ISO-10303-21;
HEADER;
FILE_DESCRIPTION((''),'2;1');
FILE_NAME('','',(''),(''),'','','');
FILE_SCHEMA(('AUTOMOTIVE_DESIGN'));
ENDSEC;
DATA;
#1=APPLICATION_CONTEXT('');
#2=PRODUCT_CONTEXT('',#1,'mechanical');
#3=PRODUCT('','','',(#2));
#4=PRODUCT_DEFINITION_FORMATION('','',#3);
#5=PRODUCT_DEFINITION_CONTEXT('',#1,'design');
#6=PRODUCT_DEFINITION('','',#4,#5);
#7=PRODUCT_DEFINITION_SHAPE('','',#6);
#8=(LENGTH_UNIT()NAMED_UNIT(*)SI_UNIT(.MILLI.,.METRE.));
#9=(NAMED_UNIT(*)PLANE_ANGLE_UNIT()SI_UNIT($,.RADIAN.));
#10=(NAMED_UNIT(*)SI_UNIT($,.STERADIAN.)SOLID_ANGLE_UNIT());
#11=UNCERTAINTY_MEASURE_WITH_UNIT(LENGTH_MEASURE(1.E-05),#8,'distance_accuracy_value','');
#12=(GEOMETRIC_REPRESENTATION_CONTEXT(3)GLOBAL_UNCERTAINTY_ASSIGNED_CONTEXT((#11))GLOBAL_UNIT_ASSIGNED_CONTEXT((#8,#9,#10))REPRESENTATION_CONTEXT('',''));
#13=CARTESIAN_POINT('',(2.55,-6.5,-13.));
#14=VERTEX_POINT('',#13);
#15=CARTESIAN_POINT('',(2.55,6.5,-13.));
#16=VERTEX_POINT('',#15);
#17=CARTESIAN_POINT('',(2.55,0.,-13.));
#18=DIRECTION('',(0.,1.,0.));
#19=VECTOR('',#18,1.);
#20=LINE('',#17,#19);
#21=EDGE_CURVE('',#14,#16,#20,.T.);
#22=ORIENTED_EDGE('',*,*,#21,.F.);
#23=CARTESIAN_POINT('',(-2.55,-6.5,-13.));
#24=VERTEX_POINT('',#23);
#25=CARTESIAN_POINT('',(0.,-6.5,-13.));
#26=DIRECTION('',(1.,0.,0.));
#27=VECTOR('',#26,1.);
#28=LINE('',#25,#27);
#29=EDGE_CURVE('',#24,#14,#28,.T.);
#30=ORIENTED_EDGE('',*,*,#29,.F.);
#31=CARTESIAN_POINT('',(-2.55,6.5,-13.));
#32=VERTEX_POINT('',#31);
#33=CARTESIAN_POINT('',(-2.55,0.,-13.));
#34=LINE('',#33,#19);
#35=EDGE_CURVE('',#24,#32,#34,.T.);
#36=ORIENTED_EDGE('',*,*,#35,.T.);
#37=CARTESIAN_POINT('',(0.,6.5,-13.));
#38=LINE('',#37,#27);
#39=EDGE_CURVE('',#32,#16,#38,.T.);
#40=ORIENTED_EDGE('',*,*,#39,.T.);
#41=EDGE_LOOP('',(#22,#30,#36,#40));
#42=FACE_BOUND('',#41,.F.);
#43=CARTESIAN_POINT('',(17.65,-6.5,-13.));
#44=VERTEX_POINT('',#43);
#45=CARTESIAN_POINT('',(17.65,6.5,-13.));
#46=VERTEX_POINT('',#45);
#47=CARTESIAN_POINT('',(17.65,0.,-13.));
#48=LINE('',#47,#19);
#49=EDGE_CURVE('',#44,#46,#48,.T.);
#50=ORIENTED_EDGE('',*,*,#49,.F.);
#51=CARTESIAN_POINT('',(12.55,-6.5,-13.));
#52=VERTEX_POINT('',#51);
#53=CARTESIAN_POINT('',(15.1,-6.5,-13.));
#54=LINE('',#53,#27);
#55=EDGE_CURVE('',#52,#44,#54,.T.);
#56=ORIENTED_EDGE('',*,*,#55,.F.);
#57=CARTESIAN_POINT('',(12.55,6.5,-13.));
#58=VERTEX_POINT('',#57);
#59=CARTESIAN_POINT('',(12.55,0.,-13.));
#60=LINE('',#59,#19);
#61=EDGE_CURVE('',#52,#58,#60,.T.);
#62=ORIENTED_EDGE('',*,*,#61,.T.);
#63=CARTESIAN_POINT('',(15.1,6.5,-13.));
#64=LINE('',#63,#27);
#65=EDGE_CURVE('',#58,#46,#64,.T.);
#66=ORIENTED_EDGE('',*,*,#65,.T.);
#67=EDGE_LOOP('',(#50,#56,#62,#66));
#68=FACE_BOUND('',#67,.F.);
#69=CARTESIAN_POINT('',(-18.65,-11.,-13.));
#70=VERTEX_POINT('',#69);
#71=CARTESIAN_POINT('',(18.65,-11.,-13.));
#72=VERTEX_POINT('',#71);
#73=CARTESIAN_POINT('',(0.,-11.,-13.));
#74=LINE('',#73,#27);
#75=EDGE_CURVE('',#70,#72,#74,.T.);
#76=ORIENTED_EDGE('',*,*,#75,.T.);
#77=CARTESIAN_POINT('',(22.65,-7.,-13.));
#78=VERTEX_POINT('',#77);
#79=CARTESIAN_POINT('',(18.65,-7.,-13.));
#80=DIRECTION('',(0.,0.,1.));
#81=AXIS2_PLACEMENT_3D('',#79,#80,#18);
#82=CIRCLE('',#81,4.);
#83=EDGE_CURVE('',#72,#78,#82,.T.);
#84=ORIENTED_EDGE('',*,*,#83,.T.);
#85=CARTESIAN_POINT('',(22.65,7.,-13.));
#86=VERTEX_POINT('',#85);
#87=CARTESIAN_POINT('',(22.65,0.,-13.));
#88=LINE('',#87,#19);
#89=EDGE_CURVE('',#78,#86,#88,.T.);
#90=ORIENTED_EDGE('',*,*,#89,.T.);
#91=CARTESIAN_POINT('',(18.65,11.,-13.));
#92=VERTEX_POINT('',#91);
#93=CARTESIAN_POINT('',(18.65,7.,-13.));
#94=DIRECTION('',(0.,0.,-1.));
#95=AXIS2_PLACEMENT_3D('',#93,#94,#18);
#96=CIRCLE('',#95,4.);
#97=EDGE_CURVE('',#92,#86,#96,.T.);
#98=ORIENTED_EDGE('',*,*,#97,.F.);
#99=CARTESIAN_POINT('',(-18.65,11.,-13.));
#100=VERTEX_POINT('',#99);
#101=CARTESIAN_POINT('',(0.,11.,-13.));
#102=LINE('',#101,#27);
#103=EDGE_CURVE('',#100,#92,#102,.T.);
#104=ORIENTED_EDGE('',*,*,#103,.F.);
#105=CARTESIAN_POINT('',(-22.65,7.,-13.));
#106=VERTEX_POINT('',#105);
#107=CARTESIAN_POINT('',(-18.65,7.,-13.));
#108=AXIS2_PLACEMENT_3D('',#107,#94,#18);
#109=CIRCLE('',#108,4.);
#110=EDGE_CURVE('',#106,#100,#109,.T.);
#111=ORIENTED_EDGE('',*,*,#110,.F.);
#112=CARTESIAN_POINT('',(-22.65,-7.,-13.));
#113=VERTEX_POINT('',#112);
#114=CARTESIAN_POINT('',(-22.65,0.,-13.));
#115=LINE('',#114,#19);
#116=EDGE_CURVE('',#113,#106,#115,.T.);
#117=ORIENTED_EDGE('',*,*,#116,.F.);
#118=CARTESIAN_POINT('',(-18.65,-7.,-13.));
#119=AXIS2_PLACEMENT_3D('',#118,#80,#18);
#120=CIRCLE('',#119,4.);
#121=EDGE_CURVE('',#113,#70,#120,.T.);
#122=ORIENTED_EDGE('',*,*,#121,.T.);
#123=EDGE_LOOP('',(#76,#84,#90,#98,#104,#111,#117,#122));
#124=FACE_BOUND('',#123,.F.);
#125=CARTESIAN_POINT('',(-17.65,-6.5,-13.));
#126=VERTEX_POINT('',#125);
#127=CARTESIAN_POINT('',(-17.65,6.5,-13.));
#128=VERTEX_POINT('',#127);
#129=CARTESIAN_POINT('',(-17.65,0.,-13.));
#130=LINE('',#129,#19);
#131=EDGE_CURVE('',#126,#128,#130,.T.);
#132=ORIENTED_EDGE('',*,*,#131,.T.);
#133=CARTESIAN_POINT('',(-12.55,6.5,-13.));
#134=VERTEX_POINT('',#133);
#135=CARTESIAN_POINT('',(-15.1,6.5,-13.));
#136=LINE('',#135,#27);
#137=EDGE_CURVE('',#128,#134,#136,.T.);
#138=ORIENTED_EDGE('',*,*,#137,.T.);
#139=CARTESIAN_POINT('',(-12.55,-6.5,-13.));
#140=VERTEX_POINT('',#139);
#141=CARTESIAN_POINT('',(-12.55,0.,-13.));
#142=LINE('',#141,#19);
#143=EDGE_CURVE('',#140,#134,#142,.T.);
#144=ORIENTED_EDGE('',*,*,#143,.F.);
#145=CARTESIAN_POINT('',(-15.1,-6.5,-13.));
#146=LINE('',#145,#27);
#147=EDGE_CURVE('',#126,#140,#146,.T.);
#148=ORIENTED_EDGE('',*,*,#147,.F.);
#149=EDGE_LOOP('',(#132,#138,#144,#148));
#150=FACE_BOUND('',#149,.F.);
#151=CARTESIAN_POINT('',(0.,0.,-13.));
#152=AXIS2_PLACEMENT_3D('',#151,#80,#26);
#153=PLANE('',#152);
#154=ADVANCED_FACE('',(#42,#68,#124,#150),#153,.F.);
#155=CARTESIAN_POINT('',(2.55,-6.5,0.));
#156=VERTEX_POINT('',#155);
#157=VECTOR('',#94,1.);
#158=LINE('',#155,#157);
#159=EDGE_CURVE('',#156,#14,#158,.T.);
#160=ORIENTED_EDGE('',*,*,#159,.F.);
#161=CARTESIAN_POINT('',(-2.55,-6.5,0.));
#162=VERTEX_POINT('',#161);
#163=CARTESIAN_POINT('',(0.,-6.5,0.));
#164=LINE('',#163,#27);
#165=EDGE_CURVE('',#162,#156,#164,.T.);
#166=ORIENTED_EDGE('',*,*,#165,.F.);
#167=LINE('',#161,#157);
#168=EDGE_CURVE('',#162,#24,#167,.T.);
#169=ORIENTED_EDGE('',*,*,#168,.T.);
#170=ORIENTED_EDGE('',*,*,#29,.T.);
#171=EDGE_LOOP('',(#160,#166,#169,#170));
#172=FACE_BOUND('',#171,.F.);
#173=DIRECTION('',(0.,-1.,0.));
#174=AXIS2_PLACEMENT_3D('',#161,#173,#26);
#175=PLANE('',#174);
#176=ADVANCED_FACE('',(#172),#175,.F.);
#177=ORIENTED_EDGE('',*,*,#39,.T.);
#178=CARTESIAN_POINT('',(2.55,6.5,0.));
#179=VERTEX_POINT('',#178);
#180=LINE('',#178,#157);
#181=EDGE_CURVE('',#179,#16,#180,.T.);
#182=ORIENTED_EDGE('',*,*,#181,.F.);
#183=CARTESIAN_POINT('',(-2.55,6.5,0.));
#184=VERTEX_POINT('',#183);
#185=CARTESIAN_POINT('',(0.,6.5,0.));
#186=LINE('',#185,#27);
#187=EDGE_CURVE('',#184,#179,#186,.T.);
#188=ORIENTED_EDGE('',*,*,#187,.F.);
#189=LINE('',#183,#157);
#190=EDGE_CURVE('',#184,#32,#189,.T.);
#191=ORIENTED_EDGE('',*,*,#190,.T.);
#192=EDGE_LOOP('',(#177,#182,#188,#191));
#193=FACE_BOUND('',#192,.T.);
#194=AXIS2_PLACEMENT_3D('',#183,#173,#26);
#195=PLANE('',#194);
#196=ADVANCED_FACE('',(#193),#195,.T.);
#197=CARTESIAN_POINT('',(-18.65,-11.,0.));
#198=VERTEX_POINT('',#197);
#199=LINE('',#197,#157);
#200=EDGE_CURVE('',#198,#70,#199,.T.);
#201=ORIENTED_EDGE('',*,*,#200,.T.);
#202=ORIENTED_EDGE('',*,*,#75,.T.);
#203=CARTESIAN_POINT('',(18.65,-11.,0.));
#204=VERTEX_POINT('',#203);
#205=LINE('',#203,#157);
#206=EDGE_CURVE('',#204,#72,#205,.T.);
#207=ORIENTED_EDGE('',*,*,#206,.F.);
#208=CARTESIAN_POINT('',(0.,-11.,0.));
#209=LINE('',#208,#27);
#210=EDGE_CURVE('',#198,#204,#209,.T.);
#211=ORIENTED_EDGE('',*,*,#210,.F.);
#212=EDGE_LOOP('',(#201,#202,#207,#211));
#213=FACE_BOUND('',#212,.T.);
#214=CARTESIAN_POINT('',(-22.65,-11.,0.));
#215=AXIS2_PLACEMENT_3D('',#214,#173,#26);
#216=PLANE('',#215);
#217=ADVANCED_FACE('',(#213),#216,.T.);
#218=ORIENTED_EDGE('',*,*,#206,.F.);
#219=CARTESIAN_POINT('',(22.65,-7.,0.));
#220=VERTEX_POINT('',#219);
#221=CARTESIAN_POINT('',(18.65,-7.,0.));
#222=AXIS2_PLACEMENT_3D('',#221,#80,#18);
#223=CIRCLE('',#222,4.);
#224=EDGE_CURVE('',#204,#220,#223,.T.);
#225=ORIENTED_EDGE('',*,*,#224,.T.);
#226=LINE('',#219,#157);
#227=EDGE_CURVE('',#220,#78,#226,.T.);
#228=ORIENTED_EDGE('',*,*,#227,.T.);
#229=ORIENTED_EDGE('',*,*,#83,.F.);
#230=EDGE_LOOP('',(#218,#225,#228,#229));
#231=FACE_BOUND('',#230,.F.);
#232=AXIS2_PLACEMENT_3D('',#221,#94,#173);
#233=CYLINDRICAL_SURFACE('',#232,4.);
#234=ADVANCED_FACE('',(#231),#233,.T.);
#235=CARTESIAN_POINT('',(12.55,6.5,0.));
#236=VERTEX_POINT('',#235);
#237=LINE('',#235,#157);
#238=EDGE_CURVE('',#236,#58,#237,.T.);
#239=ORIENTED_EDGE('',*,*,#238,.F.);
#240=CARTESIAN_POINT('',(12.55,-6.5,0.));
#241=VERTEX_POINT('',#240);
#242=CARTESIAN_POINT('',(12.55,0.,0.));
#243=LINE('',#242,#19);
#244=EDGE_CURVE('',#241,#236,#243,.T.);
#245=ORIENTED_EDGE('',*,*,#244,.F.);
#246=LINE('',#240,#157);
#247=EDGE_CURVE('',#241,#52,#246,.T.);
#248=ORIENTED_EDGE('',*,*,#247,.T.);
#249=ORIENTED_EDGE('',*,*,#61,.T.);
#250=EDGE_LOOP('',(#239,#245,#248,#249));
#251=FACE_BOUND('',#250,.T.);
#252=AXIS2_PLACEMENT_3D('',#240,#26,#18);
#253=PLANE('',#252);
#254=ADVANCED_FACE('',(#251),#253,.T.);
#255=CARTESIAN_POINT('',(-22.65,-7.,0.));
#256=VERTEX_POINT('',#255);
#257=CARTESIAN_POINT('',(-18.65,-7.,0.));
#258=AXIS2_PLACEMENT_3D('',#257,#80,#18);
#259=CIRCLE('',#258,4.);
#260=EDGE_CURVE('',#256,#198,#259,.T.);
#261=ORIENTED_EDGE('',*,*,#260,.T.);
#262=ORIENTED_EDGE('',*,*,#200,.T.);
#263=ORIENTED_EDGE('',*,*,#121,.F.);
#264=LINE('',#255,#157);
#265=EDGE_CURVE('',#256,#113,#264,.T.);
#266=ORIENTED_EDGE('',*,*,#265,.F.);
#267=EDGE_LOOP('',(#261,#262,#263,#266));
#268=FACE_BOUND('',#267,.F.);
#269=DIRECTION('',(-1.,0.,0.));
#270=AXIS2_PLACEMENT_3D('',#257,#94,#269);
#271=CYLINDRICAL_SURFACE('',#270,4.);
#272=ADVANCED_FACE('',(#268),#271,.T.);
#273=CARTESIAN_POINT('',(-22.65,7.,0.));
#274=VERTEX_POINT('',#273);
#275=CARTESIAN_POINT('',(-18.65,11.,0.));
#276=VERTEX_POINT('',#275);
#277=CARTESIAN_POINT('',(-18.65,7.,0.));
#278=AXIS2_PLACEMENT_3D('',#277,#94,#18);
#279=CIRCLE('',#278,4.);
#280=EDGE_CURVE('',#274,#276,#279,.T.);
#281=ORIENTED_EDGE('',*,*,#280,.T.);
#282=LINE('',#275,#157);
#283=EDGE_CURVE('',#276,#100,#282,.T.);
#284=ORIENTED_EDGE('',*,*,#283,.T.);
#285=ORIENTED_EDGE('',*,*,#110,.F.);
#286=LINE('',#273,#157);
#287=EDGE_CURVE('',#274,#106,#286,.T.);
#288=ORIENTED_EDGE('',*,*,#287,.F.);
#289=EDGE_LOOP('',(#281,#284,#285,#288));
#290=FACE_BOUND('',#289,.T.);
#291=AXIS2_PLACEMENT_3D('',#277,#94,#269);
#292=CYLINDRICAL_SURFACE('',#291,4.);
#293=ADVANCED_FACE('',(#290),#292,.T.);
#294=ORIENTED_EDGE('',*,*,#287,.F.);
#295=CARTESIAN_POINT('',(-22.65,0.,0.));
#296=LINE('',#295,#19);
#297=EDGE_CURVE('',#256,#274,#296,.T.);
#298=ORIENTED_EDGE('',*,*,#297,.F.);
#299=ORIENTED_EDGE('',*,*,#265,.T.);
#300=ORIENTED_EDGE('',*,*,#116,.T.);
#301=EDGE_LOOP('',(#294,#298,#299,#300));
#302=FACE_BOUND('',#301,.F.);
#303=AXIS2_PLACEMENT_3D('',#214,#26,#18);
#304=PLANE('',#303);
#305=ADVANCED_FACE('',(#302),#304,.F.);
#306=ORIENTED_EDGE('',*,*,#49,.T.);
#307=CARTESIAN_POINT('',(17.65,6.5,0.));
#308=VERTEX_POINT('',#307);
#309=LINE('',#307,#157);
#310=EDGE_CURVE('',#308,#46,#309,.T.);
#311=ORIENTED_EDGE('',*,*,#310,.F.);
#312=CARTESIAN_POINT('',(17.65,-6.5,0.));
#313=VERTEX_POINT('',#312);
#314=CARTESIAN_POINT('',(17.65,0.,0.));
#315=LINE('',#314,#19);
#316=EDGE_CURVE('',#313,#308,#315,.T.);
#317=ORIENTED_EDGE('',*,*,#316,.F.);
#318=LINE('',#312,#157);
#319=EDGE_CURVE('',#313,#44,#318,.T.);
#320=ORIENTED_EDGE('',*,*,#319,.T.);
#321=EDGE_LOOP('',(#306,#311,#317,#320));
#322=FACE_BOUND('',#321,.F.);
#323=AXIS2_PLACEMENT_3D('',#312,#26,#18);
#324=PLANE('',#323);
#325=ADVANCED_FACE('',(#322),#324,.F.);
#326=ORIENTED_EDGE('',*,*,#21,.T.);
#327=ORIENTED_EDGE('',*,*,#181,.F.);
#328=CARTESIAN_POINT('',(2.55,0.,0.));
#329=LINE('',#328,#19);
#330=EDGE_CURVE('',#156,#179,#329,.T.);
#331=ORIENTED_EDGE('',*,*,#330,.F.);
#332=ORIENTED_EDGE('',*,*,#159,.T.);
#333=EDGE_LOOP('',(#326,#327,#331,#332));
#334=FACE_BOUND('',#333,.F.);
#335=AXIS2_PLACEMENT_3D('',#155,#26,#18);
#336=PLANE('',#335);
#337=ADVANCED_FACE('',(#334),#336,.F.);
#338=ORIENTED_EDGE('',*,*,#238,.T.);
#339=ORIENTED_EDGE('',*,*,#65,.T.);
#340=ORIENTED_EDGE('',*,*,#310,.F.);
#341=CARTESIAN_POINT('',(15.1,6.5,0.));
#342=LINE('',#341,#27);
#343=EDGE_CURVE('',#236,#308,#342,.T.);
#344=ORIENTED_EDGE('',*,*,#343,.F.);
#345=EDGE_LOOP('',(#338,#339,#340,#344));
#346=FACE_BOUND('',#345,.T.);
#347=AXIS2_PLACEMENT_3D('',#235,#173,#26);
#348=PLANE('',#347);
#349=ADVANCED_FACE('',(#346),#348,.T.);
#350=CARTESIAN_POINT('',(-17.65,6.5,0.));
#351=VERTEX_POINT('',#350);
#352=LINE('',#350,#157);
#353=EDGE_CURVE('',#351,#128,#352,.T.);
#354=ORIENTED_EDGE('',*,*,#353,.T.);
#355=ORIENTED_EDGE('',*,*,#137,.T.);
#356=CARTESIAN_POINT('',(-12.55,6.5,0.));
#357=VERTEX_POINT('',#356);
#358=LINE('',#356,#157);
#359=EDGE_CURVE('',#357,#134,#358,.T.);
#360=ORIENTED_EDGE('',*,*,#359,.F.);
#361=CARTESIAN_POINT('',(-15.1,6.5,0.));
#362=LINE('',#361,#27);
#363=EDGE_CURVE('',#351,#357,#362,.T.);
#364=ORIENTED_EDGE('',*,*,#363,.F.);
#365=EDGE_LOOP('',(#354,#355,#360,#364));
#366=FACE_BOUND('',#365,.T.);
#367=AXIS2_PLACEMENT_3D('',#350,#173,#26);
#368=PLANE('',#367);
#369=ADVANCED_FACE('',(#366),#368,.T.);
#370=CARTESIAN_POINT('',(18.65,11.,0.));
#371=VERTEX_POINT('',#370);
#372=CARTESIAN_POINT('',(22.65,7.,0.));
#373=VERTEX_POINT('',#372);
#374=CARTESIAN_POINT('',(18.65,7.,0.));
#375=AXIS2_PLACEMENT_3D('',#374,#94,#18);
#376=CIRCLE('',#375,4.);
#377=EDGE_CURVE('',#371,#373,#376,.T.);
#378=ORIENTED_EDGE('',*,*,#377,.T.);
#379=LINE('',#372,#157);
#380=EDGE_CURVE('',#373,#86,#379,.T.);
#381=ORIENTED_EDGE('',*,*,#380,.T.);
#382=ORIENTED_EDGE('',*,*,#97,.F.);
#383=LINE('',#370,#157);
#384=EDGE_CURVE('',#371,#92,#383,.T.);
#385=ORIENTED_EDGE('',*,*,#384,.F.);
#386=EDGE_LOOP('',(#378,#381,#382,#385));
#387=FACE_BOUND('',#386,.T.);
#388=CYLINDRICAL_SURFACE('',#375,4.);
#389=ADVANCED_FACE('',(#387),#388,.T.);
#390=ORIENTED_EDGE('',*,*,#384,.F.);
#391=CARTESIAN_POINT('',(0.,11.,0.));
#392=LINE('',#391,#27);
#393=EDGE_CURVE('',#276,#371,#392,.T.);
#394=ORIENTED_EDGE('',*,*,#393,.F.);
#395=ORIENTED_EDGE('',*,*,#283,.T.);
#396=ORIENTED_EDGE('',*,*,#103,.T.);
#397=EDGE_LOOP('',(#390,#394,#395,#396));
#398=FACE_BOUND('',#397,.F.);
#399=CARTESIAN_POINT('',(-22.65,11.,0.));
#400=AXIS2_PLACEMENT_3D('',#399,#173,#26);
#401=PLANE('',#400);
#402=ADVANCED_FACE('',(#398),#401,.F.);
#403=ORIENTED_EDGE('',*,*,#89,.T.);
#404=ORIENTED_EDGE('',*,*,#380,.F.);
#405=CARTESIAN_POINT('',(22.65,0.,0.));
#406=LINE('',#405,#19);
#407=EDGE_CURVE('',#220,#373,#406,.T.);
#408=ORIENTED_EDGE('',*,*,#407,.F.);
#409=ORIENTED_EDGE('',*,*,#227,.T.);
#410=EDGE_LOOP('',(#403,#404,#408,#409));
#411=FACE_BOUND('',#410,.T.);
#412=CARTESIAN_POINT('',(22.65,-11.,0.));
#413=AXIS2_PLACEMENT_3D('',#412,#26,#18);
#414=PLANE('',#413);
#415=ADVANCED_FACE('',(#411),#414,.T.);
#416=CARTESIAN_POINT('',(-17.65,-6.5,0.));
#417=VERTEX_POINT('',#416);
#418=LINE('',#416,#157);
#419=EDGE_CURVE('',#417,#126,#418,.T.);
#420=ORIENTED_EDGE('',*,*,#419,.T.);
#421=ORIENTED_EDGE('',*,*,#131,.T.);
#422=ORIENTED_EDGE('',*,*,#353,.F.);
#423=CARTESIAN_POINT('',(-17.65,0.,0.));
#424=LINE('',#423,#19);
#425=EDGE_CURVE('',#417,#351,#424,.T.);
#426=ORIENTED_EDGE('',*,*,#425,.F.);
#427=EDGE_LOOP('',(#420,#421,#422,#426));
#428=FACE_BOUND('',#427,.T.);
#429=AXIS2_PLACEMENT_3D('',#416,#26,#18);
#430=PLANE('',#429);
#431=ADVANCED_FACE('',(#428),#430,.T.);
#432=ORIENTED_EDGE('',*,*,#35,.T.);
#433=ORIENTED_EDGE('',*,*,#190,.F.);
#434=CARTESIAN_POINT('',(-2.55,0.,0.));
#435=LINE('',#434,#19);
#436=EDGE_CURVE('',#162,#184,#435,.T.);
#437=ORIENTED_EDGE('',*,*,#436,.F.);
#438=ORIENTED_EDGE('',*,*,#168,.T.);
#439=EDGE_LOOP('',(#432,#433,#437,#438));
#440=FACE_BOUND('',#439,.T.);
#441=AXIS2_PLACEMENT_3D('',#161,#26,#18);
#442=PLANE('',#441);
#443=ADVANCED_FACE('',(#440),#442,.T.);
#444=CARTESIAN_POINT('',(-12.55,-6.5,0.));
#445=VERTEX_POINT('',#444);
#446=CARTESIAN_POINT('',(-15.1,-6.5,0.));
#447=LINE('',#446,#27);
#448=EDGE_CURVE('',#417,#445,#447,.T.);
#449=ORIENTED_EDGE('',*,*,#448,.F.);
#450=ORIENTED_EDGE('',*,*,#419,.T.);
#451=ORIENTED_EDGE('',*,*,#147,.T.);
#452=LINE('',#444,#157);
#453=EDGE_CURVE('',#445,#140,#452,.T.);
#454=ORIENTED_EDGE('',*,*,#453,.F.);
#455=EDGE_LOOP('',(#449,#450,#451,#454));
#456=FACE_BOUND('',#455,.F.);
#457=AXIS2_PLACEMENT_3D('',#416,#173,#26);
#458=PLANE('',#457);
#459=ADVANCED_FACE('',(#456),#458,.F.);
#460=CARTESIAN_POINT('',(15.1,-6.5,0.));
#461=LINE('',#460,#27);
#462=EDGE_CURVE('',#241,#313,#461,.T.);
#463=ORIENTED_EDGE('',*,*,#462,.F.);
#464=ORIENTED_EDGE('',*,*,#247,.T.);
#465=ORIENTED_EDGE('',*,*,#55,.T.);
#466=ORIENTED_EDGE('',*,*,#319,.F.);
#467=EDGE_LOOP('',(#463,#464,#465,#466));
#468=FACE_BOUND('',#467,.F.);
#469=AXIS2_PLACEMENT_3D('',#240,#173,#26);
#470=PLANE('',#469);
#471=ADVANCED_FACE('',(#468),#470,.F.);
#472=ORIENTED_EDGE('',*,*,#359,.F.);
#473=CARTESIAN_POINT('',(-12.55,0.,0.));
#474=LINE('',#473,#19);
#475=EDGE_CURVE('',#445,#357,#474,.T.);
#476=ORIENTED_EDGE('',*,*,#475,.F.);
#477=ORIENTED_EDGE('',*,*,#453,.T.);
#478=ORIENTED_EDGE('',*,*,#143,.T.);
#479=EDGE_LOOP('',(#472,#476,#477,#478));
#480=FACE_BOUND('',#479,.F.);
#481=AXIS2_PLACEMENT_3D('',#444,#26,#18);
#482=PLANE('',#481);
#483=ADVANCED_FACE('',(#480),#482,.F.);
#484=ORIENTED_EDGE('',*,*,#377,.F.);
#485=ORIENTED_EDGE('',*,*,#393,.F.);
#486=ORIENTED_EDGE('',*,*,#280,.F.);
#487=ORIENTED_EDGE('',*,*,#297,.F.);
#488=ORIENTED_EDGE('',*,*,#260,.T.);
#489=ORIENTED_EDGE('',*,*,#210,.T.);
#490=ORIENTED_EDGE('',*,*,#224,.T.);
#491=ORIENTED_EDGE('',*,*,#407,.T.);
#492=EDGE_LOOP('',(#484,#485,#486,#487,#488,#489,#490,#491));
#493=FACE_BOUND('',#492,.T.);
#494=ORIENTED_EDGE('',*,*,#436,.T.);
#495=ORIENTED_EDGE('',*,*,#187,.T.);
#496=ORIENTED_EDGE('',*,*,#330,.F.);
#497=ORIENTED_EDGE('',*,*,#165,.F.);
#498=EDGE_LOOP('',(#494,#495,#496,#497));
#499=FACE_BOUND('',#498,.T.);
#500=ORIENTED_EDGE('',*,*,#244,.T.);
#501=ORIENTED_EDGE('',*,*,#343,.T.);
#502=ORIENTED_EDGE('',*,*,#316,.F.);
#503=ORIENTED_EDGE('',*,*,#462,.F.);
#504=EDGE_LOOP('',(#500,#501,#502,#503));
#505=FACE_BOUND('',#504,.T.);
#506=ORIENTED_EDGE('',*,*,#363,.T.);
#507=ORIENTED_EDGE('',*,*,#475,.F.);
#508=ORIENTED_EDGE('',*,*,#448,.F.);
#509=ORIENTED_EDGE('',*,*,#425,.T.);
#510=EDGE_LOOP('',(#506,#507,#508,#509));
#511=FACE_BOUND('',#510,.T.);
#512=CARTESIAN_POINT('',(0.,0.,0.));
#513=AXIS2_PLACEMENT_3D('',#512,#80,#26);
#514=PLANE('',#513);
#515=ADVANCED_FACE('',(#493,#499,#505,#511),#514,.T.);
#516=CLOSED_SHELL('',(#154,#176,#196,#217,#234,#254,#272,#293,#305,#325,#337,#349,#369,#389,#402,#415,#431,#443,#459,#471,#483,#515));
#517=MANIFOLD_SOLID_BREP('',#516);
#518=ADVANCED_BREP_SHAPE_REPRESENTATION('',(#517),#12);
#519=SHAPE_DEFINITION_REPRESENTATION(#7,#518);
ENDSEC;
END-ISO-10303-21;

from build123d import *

# Parameters (mm, degrees)
SKETCH_W   = 45.3
SKETCH_H   = 22
SKETCH_W_2 = 5.1
SKETCH_H_2 = 13
PAD_DEPTH  = 13
FILLET_R   = 4


with BuildPart() as part:
    # Sketch → Pad (new body)
    with BuildSketch(Plane.XY):
        Rectangle(SKETCH_W, SKETCH_H)
        Rectangle(SKETCH_W_2, SKETCH_H_2, mode=Mode.SUBTRACT)
        with Locations((-15.1, 0)):
            Rectangle(SKETCH_W_2, SKETCH_H_2, mode=Mode.SUBTRACT)
        with Locations((15.1, 0)):
            Rectangle(SKETCH_W_2, SKETCH_H_2, mode=Mode.SUBTRACT)
    extrude(amount=-PAD_DEPTH)

    # Fillet
    fillet_edges = [part.edges().sort_by_distance(p)[0] for p in [
        (-22.65, -11, -6.5),
        (22.65, -11, -6.5),
        (22.65, 11, -6.5),
        (-22.65, 11, -6.5),
    ]]
    fillet(fillet_edges, radius=FILLET_R)


solid = part.part
